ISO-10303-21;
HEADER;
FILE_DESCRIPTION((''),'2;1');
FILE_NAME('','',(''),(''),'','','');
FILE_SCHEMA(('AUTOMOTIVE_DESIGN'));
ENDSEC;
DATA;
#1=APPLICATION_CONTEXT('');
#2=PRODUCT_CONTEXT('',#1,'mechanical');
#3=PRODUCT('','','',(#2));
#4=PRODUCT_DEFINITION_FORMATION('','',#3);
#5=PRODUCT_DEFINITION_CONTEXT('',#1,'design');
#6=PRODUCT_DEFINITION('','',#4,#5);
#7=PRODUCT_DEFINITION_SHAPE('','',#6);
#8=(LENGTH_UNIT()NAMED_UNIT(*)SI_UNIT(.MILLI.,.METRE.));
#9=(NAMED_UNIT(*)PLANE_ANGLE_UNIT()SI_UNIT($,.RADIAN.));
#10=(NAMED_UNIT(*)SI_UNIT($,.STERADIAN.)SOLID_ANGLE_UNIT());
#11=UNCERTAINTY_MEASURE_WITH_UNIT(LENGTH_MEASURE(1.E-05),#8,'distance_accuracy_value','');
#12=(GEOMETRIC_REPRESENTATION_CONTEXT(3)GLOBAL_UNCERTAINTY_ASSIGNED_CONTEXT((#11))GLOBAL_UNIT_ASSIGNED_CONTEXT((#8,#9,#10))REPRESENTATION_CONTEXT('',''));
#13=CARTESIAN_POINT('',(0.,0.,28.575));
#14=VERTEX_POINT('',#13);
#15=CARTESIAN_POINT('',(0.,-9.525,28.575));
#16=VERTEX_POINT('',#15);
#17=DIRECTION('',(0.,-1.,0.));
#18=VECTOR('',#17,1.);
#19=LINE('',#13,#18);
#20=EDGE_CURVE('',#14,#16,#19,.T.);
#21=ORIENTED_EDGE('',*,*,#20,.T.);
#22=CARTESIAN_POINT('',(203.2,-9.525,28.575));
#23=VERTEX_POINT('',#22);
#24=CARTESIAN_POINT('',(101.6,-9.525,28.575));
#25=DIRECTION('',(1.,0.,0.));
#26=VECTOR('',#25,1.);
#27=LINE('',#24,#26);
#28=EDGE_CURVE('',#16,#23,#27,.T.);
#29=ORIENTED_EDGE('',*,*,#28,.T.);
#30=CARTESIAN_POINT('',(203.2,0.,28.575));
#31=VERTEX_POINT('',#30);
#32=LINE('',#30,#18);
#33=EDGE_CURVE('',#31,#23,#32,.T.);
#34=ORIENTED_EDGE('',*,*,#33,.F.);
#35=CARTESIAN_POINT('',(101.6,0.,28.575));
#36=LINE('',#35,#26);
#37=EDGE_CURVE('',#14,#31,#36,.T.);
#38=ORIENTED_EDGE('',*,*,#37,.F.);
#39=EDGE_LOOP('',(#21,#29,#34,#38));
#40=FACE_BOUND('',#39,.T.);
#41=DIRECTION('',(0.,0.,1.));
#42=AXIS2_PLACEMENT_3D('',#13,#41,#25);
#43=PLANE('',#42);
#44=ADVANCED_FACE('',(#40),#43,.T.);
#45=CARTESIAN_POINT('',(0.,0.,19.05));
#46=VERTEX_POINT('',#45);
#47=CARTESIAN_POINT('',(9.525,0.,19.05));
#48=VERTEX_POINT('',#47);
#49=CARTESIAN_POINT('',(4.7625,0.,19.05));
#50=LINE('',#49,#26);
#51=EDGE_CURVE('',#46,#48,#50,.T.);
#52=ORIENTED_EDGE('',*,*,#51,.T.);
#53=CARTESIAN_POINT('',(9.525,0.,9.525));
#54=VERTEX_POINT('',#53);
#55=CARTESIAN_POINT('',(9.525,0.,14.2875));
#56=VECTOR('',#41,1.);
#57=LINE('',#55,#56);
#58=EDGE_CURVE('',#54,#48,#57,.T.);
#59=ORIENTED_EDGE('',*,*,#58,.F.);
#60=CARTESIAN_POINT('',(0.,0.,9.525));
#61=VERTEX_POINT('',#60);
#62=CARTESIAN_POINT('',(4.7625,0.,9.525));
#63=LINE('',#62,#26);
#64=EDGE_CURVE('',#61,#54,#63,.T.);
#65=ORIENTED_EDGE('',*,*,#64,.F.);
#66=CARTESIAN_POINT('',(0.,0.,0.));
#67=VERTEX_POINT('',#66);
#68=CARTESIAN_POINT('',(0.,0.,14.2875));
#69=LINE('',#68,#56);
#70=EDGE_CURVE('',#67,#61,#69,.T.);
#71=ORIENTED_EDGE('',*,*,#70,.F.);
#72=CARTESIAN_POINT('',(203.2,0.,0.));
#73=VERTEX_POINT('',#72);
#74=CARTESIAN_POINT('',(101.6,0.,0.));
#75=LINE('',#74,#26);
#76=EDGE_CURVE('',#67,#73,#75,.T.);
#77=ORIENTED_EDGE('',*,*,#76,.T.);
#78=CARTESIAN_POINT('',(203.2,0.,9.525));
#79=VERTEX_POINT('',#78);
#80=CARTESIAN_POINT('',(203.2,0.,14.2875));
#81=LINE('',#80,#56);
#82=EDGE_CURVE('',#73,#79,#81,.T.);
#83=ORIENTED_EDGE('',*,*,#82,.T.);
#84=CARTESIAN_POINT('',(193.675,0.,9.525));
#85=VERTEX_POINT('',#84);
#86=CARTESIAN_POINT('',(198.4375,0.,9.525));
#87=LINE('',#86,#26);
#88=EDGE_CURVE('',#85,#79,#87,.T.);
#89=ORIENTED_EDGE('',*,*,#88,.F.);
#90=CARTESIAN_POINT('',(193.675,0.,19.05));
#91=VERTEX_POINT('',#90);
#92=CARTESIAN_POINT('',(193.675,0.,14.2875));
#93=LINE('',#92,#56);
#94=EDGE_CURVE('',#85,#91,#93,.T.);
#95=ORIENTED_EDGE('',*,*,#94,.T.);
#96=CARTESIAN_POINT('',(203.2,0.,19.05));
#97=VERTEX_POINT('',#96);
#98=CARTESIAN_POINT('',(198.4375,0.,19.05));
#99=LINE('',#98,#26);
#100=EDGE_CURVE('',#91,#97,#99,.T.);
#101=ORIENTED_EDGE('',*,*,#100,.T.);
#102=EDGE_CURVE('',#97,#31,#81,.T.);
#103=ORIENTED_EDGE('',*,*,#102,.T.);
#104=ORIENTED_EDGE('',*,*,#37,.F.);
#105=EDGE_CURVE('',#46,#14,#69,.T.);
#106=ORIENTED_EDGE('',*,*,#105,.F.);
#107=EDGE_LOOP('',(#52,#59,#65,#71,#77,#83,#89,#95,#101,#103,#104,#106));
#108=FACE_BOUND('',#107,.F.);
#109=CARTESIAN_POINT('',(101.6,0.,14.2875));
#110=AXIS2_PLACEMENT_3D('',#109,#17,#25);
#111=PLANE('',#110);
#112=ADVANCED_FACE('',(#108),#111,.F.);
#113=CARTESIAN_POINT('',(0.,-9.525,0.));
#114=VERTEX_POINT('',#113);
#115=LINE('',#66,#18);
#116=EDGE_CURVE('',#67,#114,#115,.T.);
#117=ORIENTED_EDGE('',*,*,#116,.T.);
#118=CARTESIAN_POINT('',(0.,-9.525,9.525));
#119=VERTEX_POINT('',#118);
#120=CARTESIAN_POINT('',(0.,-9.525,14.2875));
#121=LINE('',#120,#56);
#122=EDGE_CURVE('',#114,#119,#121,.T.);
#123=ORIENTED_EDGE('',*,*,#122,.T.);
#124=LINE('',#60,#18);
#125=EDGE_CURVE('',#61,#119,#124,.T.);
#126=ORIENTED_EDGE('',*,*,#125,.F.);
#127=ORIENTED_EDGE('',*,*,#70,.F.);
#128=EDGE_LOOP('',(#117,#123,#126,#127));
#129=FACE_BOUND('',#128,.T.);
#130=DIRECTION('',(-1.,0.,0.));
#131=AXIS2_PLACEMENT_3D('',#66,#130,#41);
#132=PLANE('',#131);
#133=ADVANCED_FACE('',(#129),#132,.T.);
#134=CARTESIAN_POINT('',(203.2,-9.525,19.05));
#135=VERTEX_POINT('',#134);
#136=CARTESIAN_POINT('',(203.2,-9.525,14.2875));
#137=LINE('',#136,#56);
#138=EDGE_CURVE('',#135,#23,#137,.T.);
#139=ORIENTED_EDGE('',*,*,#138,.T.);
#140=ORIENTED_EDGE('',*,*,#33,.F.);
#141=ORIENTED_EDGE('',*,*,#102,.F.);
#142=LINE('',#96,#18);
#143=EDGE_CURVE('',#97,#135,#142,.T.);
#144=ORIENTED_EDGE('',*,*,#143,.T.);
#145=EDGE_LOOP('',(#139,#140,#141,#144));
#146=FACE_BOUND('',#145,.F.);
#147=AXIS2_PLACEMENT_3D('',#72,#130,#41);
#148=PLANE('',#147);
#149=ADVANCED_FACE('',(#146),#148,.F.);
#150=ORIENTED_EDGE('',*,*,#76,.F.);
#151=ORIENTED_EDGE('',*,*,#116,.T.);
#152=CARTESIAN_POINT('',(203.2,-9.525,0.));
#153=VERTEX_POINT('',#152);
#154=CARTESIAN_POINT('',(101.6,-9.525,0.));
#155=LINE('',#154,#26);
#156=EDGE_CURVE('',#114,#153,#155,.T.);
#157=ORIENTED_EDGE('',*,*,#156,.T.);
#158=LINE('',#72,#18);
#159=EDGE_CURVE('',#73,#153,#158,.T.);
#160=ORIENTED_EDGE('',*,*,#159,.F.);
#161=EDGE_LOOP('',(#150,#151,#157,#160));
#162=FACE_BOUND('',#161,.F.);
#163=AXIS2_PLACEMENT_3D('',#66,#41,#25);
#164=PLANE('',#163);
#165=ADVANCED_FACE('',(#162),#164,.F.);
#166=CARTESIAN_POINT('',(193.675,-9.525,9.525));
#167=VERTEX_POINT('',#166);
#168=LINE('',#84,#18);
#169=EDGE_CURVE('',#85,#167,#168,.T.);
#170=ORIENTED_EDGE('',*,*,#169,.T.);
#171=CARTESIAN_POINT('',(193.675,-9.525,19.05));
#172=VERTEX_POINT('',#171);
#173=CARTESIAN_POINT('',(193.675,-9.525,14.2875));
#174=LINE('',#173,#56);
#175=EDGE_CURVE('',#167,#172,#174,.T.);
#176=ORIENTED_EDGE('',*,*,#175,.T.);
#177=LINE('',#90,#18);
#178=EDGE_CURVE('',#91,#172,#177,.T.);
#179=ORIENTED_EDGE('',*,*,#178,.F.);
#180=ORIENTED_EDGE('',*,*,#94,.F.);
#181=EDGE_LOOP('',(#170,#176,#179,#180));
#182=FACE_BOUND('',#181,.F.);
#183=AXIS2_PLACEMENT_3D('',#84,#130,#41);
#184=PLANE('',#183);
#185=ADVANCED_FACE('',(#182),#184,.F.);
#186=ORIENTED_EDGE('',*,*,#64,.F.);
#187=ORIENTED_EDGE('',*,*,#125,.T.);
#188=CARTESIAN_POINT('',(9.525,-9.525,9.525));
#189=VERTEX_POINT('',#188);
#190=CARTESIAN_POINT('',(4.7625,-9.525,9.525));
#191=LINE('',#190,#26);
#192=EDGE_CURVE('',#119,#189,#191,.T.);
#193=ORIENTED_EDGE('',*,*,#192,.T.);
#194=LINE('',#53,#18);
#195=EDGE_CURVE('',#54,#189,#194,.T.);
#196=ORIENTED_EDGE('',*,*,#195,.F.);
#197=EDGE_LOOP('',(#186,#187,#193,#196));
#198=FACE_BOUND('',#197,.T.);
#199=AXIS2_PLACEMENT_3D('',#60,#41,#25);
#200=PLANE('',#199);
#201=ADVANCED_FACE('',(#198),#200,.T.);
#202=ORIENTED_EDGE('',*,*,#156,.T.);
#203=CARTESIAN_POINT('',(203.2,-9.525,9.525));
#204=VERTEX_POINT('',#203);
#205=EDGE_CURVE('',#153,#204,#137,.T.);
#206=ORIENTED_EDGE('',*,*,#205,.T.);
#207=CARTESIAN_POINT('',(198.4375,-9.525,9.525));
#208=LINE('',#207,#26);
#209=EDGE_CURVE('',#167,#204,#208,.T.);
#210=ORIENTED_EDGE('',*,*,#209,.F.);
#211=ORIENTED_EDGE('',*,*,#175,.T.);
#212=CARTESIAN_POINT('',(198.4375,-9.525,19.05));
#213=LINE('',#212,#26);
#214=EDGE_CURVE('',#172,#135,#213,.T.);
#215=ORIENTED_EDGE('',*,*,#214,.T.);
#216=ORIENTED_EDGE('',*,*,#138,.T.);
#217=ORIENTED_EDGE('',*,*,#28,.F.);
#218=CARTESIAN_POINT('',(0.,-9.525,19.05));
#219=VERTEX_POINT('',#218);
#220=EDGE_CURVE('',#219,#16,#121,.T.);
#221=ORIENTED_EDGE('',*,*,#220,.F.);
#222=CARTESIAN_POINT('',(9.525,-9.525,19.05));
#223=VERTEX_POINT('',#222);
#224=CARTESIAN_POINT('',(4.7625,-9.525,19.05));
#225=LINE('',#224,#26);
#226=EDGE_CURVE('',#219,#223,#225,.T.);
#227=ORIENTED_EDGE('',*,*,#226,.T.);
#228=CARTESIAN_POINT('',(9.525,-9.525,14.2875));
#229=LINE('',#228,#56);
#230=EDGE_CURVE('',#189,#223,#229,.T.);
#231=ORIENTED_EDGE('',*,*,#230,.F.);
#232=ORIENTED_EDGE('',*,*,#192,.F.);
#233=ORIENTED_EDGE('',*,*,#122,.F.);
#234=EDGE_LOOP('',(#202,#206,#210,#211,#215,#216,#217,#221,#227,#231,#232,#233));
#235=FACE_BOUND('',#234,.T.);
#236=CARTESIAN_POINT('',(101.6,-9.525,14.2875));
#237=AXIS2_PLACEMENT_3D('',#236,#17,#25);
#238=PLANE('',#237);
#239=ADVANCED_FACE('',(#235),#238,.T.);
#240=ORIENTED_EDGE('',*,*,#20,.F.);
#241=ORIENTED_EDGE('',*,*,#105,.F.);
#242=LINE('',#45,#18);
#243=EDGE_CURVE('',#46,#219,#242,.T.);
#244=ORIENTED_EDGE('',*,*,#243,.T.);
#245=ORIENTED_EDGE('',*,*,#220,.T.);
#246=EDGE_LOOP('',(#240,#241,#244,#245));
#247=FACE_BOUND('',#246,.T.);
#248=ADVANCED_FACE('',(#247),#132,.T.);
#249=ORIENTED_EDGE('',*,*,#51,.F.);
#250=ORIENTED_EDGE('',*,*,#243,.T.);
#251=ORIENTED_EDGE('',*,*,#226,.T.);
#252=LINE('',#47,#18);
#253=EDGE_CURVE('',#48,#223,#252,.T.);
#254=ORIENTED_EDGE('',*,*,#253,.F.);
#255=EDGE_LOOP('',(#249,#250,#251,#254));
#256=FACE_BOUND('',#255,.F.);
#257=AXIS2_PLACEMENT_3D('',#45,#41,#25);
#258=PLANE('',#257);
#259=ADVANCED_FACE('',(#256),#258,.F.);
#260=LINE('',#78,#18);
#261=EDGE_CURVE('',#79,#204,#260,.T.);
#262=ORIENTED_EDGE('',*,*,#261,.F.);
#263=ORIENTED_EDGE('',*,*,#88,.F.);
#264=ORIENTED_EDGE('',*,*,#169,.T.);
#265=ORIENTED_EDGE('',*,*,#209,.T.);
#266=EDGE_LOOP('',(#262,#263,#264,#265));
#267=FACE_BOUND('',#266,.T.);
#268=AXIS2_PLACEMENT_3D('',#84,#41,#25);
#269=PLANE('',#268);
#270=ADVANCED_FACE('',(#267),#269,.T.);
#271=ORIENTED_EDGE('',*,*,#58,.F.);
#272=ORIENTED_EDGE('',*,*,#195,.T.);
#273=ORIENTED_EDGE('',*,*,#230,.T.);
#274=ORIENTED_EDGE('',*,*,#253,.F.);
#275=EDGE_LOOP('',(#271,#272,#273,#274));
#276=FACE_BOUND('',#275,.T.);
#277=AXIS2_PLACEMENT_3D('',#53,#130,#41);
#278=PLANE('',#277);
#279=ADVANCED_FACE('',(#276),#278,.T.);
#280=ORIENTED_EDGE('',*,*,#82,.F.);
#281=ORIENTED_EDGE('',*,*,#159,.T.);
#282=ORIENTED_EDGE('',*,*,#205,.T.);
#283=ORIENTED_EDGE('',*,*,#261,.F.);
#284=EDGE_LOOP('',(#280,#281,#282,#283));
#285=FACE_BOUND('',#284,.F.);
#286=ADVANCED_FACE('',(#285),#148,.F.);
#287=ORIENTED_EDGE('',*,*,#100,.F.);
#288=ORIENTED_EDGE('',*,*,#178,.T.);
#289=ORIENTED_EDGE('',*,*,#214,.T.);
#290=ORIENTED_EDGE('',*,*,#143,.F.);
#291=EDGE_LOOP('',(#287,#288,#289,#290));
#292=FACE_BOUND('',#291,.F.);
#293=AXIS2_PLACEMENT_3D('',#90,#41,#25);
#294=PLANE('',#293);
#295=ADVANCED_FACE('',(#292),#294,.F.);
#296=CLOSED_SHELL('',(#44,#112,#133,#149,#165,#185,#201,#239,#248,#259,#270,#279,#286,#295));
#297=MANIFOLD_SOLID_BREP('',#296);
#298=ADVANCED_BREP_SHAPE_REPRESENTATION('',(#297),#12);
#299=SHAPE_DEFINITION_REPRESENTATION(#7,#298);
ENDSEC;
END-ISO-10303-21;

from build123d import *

# Parameters (mm, degrees)
F0_W     = 203.2
F0_H     = 28.575
F1_DEPTH = 9.525
F2_W     = 9.525
F2_H     = 9.525
F3_DEPTH = 9.525


with BuildPart() as f1:
    # F0 (on Front) → F1 (new body)
    with BuildSketch(Plane.XZ):
        with Locations((101.6, 14.2875)):
            Rectangle(F0_W, F0_H)
    extrude(amount=F1_DEPTH)

    # F2 (on Front) → F3 (cut, through all)
    with BuildSketch(Plane.XZ):
        with Locations((4.7625, 14.2875)):
            Rectangle(F2_W, F2_H)
        with Locations((198.4375, 14.2875)):
            Rectangle(F2_W, F2_H)
    extrude(amount=F3_DEPTH, mode=Mode.SUBTRACT)


solid = f1.part
